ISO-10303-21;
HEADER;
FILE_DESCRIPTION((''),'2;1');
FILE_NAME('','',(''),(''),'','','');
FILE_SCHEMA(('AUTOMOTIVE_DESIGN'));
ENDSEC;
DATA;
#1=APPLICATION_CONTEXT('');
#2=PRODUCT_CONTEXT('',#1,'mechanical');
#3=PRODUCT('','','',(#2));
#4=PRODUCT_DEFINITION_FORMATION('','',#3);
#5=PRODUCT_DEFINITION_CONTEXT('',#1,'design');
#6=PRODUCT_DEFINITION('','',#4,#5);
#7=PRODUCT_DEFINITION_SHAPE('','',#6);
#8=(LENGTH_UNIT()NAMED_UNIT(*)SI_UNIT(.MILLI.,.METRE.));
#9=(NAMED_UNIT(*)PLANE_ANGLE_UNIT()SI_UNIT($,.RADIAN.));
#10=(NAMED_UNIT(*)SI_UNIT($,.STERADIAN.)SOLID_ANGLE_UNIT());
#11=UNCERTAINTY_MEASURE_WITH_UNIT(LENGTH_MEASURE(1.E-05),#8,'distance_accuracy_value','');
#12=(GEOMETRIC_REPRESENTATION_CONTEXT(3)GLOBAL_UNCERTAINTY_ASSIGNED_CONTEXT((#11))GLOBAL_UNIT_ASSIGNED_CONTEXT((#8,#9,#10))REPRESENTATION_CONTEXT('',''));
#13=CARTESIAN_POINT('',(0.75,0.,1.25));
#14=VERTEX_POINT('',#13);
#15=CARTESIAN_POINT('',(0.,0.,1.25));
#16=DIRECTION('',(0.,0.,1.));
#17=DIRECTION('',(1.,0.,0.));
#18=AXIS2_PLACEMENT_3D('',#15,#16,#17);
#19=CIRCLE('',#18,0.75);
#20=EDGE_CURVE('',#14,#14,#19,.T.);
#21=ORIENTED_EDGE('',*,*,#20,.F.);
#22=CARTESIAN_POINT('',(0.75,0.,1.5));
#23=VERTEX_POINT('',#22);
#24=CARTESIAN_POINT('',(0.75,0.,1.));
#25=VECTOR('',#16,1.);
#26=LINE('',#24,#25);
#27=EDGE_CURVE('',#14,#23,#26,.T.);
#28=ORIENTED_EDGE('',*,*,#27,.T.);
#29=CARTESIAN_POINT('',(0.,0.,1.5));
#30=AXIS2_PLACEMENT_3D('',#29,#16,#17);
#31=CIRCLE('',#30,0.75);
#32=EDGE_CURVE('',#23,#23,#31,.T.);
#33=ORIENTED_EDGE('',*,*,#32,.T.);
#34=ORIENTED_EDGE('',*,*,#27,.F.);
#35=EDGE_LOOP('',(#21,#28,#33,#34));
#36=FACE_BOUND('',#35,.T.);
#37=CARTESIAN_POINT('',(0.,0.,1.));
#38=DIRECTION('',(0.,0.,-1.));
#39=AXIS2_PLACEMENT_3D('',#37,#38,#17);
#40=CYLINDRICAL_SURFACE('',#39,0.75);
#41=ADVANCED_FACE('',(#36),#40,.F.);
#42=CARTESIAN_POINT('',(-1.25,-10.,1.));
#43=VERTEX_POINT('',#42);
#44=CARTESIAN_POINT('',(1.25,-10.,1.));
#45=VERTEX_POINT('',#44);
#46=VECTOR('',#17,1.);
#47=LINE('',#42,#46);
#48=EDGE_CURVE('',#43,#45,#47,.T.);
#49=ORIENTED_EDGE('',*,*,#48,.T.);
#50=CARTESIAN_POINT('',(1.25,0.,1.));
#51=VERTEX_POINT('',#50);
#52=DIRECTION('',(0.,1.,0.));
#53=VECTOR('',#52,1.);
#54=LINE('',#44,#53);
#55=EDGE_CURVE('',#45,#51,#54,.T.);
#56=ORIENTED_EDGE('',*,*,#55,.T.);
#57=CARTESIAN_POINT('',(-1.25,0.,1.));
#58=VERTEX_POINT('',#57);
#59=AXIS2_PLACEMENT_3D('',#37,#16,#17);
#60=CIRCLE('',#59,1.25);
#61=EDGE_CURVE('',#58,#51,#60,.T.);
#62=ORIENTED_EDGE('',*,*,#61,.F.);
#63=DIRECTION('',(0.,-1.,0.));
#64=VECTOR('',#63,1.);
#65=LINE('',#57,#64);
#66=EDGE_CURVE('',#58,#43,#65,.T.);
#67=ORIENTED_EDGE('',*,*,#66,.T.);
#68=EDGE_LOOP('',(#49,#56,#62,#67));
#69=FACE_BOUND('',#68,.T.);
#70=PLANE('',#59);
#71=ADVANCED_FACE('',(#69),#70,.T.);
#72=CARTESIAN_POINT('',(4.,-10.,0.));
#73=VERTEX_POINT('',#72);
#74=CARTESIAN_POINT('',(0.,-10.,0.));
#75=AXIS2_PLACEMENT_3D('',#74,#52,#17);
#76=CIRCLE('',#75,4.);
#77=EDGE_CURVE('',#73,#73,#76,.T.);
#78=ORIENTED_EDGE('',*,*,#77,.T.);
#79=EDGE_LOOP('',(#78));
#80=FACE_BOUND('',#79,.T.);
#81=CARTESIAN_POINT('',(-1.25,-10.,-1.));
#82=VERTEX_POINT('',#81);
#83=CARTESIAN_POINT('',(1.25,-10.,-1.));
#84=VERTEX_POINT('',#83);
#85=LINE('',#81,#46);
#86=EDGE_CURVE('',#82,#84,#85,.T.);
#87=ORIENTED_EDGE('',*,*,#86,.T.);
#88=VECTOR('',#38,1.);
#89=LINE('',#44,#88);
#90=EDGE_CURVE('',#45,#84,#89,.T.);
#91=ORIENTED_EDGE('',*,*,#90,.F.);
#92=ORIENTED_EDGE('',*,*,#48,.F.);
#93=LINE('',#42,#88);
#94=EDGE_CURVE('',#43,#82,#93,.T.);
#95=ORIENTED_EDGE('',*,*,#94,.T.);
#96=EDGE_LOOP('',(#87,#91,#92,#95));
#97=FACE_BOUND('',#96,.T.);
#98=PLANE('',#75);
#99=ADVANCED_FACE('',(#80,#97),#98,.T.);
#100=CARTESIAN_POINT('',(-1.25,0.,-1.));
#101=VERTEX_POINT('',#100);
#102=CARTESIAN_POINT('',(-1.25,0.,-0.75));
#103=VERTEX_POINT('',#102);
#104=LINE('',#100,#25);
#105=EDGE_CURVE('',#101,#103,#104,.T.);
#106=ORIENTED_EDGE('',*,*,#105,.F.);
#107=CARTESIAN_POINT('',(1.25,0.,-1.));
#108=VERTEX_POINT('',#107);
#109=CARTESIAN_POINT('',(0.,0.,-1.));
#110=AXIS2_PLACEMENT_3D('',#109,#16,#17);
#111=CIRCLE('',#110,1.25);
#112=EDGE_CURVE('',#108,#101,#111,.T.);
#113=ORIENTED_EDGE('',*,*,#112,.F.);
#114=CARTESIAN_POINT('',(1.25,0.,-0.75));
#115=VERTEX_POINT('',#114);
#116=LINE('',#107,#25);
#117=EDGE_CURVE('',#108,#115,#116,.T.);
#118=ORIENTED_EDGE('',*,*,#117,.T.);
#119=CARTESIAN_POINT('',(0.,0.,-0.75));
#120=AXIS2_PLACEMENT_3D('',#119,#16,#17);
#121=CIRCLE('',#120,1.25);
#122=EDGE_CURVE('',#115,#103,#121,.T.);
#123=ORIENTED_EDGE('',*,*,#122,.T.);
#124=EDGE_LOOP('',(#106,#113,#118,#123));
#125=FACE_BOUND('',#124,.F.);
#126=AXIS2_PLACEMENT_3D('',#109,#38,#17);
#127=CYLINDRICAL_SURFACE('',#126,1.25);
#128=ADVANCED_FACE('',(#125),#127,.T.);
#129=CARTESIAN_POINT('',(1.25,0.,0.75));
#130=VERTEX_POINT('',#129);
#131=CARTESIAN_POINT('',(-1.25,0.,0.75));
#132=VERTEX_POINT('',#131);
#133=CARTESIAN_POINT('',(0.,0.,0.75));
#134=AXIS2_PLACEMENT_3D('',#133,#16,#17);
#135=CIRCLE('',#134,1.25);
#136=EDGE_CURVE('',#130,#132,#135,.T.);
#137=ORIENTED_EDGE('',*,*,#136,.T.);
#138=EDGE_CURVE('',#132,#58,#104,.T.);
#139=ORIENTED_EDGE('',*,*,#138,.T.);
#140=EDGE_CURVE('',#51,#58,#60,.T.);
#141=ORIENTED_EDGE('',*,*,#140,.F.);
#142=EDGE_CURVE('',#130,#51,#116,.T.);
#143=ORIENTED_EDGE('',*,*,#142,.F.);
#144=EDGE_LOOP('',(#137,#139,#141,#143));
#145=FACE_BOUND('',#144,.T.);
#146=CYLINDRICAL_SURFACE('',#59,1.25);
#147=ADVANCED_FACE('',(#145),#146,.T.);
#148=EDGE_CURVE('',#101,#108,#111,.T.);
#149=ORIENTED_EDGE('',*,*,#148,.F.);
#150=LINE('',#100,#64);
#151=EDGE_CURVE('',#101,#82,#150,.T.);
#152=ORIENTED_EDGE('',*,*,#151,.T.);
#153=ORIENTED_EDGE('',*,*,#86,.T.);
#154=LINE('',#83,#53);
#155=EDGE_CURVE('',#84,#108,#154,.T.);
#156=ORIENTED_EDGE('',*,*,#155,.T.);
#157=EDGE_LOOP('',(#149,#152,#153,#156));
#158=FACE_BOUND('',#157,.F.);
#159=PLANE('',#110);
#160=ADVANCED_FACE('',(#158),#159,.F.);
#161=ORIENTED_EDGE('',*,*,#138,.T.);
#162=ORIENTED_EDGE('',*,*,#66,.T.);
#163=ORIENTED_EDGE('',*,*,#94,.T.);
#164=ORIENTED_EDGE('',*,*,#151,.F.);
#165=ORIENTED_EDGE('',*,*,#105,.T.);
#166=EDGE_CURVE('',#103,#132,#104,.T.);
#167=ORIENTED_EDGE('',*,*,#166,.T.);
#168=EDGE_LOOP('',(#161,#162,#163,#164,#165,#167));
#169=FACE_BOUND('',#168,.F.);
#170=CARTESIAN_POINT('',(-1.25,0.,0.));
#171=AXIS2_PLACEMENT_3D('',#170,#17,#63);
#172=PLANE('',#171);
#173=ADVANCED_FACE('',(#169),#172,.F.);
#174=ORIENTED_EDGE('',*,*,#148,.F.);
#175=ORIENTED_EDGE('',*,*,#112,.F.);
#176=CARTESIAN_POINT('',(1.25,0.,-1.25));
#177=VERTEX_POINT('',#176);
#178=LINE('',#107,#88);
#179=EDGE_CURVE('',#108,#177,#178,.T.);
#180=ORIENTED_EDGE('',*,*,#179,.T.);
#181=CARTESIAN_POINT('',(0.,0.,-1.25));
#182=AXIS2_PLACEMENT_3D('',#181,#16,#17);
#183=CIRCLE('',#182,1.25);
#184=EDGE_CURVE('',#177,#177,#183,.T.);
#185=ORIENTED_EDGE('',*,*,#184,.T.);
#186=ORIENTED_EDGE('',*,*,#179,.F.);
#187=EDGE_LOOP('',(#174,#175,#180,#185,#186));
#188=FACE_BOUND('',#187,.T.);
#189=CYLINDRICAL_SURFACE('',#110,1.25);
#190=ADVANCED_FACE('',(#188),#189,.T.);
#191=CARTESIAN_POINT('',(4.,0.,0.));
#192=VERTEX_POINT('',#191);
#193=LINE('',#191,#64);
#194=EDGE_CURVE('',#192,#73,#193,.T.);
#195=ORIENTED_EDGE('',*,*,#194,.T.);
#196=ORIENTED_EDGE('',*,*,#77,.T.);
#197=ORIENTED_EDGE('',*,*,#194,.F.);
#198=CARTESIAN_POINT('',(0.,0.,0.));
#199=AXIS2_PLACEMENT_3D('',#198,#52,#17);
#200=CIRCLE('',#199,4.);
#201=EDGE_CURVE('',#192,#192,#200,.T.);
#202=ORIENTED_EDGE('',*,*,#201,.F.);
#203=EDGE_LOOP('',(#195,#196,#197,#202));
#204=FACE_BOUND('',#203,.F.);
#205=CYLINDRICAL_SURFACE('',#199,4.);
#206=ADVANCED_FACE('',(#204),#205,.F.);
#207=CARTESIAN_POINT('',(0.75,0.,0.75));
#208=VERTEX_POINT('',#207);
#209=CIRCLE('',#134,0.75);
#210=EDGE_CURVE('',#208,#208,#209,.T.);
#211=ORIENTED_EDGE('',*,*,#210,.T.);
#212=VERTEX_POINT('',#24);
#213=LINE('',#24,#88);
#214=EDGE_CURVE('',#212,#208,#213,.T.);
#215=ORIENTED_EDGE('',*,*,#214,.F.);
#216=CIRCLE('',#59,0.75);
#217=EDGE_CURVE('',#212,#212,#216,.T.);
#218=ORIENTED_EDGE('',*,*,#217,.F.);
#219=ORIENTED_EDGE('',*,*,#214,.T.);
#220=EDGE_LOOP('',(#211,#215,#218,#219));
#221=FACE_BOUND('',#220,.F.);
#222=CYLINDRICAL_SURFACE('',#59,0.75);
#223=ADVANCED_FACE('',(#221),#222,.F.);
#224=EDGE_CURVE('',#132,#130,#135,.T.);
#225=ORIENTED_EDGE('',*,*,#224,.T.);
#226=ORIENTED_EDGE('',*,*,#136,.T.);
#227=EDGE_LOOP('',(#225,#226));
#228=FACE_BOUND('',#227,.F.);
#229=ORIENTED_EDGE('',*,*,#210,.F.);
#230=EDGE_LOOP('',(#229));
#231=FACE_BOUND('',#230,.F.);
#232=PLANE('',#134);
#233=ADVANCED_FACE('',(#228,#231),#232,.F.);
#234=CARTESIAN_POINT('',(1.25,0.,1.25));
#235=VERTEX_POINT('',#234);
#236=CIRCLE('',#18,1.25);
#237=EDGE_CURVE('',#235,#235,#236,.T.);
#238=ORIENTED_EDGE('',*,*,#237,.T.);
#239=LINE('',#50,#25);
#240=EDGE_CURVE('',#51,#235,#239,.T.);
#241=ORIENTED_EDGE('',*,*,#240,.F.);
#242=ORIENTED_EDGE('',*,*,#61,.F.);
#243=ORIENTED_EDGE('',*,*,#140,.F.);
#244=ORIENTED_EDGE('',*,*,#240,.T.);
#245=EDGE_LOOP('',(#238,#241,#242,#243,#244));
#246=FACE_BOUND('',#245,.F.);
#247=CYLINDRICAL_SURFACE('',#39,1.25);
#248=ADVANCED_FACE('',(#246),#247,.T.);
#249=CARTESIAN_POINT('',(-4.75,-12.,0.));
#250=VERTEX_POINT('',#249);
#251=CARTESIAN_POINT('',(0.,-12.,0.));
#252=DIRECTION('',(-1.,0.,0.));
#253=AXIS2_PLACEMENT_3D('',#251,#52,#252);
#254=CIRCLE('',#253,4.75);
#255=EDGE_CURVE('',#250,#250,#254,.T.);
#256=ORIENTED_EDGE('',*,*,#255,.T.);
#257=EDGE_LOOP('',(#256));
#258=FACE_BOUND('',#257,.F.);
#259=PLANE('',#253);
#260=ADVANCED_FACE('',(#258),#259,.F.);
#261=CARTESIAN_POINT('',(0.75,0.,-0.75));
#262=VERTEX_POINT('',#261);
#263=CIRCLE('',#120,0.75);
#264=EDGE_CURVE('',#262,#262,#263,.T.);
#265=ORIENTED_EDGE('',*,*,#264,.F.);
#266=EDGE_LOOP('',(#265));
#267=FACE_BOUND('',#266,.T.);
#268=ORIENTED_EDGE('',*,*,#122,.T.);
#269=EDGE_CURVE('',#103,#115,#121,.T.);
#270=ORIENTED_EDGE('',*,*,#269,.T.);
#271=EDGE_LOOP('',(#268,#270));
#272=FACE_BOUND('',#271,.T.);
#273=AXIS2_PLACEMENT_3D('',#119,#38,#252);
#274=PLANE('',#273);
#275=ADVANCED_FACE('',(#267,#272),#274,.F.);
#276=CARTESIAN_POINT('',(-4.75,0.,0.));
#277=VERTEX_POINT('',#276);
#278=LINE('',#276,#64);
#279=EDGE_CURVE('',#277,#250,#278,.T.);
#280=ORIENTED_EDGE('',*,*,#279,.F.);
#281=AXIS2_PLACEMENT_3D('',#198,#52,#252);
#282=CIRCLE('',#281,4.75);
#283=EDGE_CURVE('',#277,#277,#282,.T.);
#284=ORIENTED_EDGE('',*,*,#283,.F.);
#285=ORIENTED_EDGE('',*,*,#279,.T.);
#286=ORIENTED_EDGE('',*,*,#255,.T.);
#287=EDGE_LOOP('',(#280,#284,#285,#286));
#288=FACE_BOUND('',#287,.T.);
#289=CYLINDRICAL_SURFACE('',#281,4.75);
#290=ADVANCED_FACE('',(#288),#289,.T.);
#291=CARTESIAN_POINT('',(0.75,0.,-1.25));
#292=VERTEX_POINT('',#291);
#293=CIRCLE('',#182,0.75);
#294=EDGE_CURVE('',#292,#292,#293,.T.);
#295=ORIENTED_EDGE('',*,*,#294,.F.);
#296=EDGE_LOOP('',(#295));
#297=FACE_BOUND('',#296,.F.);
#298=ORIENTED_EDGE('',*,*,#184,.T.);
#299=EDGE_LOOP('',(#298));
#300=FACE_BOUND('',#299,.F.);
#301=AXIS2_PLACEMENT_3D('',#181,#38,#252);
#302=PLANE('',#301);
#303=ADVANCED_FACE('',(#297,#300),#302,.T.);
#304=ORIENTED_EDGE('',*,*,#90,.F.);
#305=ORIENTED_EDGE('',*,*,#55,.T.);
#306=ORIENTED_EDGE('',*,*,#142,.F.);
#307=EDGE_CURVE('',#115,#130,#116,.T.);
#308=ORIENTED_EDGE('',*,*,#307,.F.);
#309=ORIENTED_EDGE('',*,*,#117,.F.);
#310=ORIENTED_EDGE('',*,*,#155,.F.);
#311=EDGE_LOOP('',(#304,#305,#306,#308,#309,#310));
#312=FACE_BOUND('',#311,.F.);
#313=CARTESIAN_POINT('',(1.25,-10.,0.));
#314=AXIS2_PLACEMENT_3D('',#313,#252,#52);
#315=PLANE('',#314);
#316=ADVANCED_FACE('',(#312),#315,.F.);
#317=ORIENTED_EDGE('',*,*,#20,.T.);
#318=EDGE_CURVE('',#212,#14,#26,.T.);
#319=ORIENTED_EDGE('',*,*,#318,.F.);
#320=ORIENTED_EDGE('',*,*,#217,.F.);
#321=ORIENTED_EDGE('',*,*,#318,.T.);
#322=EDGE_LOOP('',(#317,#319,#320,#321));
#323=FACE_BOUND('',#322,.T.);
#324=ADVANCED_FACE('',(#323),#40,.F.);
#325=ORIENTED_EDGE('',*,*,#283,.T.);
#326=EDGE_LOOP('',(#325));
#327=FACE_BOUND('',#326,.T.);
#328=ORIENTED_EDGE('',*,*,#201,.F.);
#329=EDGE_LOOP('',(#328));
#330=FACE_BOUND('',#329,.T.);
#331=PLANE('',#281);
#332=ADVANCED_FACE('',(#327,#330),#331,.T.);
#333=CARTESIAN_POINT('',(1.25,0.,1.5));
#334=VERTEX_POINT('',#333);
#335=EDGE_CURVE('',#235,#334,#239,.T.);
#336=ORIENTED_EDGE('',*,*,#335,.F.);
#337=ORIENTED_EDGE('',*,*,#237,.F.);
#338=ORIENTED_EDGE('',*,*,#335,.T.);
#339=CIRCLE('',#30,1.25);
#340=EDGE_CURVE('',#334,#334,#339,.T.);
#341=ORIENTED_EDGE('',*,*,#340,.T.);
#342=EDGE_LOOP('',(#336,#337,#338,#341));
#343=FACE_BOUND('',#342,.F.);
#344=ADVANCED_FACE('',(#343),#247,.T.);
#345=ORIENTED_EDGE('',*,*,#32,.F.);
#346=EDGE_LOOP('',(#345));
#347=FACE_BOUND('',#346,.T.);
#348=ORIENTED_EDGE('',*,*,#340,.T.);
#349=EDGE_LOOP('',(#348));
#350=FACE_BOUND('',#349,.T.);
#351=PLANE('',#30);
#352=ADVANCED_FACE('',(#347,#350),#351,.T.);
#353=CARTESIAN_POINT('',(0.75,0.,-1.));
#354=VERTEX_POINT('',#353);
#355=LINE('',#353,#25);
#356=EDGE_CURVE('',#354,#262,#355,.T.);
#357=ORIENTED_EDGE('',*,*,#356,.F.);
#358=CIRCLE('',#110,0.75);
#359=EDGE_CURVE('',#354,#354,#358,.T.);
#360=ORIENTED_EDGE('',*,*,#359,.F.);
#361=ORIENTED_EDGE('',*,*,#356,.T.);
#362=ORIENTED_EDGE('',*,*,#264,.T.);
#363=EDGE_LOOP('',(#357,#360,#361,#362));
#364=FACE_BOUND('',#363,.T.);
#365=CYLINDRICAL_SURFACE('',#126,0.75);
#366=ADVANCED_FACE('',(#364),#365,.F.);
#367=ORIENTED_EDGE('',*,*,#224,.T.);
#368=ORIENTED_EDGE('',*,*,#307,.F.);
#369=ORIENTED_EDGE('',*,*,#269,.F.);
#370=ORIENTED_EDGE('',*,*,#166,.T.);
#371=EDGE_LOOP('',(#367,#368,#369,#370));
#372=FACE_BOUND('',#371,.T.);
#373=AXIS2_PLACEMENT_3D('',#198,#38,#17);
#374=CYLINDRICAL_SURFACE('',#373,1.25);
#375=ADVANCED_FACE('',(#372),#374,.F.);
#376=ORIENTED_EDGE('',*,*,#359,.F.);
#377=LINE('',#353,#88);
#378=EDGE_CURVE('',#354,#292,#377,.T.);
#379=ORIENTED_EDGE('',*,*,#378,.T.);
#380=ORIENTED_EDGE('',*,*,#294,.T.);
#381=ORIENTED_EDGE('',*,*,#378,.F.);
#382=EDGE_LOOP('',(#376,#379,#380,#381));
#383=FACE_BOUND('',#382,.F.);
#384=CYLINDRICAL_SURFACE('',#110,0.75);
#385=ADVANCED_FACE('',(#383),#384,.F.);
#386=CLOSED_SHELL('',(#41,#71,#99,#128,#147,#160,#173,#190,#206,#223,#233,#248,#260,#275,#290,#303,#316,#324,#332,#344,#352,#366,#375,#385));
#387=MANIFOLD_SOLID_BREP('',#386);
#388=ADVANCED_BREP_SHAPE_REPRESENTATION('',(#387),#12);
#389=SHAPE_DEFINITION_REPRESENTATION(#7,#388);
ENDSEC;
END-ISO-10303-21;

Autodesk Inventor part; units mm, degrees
ref_plane "YZ Plane" through (0, 0, 0) normal (1, 0, 0) x (0, 1, 0)
ref_plane "XZ Plane" through (0, 0, 0) normal (0, 1, 0) x (-1, 0, 0)
ref_plane "XY Plane" through (0, 0, 0) normal (0, 0, 1) x (1, 0, 0)
sketch "Sketch1" plane through (0, 0, 0) normal (0, 1, 0) x (-1, 0, 0)
  circle A0 centre (0, 0) radius 4.75
  dimension "d0" = 9.5
extrude "Extrusion1" add sketch "Sketch1" against normal blind 12
sketch "Sketch2" plane through (0, 0, 0) normal (0, 1, 0) x (1, 0, 0)
  circle A0 centre (0, 0) radius 4
  dimension "d3" = 8
extrude "Extrusion2" cut sketch "Sketch2" against normal blind 10
sketch "Sketch3" plane through (0, 0, 0) normal (0, 0, 1) x (1, 0, 0)
  point P0 (0, 0)
sketch "Sketch4" plane through (0, 0, 0) normal (0, 0, 1) x (1, 0, 0)
  circle A0 centre (0, 0) radius 0.75
  circle A1 centre (0, 0) radius 1.25
  line L0 (-1.25, 0) -> (-1.25, -10)
  line L1 (-1.25, -10) -> (1.25, -10)
  line L2 (1.25, -10) -> (1.25, 0)
  dimension "d6" = 1.5
  dimension "d7" = 2.5
  dimension "d8" = 10
extrude "Extrusion3" add sketch "Sketch4" along normal mid plane 2 contours L2 L1 L0 A1
sketch "Sketch5" plane through (0, 0, 1) normal (0, 0, 1) x (1, 0, 0)
  circle A0 centre (0, 0) radius 0.75 projected
  circle A1 centre (0, 0) radius 1.25 projected
extrude "Extrusion4" add sketch "Sketch5" along normal mid plane 0.5
extrude "Extrusion5" add sketch "Sketch5" along normal blind 0.5
mirror "Mirror1" about plane through (0, 0, 0) normal (0, 0, 1) of "Extrusion4"
properties part number "Cylinder_1"
